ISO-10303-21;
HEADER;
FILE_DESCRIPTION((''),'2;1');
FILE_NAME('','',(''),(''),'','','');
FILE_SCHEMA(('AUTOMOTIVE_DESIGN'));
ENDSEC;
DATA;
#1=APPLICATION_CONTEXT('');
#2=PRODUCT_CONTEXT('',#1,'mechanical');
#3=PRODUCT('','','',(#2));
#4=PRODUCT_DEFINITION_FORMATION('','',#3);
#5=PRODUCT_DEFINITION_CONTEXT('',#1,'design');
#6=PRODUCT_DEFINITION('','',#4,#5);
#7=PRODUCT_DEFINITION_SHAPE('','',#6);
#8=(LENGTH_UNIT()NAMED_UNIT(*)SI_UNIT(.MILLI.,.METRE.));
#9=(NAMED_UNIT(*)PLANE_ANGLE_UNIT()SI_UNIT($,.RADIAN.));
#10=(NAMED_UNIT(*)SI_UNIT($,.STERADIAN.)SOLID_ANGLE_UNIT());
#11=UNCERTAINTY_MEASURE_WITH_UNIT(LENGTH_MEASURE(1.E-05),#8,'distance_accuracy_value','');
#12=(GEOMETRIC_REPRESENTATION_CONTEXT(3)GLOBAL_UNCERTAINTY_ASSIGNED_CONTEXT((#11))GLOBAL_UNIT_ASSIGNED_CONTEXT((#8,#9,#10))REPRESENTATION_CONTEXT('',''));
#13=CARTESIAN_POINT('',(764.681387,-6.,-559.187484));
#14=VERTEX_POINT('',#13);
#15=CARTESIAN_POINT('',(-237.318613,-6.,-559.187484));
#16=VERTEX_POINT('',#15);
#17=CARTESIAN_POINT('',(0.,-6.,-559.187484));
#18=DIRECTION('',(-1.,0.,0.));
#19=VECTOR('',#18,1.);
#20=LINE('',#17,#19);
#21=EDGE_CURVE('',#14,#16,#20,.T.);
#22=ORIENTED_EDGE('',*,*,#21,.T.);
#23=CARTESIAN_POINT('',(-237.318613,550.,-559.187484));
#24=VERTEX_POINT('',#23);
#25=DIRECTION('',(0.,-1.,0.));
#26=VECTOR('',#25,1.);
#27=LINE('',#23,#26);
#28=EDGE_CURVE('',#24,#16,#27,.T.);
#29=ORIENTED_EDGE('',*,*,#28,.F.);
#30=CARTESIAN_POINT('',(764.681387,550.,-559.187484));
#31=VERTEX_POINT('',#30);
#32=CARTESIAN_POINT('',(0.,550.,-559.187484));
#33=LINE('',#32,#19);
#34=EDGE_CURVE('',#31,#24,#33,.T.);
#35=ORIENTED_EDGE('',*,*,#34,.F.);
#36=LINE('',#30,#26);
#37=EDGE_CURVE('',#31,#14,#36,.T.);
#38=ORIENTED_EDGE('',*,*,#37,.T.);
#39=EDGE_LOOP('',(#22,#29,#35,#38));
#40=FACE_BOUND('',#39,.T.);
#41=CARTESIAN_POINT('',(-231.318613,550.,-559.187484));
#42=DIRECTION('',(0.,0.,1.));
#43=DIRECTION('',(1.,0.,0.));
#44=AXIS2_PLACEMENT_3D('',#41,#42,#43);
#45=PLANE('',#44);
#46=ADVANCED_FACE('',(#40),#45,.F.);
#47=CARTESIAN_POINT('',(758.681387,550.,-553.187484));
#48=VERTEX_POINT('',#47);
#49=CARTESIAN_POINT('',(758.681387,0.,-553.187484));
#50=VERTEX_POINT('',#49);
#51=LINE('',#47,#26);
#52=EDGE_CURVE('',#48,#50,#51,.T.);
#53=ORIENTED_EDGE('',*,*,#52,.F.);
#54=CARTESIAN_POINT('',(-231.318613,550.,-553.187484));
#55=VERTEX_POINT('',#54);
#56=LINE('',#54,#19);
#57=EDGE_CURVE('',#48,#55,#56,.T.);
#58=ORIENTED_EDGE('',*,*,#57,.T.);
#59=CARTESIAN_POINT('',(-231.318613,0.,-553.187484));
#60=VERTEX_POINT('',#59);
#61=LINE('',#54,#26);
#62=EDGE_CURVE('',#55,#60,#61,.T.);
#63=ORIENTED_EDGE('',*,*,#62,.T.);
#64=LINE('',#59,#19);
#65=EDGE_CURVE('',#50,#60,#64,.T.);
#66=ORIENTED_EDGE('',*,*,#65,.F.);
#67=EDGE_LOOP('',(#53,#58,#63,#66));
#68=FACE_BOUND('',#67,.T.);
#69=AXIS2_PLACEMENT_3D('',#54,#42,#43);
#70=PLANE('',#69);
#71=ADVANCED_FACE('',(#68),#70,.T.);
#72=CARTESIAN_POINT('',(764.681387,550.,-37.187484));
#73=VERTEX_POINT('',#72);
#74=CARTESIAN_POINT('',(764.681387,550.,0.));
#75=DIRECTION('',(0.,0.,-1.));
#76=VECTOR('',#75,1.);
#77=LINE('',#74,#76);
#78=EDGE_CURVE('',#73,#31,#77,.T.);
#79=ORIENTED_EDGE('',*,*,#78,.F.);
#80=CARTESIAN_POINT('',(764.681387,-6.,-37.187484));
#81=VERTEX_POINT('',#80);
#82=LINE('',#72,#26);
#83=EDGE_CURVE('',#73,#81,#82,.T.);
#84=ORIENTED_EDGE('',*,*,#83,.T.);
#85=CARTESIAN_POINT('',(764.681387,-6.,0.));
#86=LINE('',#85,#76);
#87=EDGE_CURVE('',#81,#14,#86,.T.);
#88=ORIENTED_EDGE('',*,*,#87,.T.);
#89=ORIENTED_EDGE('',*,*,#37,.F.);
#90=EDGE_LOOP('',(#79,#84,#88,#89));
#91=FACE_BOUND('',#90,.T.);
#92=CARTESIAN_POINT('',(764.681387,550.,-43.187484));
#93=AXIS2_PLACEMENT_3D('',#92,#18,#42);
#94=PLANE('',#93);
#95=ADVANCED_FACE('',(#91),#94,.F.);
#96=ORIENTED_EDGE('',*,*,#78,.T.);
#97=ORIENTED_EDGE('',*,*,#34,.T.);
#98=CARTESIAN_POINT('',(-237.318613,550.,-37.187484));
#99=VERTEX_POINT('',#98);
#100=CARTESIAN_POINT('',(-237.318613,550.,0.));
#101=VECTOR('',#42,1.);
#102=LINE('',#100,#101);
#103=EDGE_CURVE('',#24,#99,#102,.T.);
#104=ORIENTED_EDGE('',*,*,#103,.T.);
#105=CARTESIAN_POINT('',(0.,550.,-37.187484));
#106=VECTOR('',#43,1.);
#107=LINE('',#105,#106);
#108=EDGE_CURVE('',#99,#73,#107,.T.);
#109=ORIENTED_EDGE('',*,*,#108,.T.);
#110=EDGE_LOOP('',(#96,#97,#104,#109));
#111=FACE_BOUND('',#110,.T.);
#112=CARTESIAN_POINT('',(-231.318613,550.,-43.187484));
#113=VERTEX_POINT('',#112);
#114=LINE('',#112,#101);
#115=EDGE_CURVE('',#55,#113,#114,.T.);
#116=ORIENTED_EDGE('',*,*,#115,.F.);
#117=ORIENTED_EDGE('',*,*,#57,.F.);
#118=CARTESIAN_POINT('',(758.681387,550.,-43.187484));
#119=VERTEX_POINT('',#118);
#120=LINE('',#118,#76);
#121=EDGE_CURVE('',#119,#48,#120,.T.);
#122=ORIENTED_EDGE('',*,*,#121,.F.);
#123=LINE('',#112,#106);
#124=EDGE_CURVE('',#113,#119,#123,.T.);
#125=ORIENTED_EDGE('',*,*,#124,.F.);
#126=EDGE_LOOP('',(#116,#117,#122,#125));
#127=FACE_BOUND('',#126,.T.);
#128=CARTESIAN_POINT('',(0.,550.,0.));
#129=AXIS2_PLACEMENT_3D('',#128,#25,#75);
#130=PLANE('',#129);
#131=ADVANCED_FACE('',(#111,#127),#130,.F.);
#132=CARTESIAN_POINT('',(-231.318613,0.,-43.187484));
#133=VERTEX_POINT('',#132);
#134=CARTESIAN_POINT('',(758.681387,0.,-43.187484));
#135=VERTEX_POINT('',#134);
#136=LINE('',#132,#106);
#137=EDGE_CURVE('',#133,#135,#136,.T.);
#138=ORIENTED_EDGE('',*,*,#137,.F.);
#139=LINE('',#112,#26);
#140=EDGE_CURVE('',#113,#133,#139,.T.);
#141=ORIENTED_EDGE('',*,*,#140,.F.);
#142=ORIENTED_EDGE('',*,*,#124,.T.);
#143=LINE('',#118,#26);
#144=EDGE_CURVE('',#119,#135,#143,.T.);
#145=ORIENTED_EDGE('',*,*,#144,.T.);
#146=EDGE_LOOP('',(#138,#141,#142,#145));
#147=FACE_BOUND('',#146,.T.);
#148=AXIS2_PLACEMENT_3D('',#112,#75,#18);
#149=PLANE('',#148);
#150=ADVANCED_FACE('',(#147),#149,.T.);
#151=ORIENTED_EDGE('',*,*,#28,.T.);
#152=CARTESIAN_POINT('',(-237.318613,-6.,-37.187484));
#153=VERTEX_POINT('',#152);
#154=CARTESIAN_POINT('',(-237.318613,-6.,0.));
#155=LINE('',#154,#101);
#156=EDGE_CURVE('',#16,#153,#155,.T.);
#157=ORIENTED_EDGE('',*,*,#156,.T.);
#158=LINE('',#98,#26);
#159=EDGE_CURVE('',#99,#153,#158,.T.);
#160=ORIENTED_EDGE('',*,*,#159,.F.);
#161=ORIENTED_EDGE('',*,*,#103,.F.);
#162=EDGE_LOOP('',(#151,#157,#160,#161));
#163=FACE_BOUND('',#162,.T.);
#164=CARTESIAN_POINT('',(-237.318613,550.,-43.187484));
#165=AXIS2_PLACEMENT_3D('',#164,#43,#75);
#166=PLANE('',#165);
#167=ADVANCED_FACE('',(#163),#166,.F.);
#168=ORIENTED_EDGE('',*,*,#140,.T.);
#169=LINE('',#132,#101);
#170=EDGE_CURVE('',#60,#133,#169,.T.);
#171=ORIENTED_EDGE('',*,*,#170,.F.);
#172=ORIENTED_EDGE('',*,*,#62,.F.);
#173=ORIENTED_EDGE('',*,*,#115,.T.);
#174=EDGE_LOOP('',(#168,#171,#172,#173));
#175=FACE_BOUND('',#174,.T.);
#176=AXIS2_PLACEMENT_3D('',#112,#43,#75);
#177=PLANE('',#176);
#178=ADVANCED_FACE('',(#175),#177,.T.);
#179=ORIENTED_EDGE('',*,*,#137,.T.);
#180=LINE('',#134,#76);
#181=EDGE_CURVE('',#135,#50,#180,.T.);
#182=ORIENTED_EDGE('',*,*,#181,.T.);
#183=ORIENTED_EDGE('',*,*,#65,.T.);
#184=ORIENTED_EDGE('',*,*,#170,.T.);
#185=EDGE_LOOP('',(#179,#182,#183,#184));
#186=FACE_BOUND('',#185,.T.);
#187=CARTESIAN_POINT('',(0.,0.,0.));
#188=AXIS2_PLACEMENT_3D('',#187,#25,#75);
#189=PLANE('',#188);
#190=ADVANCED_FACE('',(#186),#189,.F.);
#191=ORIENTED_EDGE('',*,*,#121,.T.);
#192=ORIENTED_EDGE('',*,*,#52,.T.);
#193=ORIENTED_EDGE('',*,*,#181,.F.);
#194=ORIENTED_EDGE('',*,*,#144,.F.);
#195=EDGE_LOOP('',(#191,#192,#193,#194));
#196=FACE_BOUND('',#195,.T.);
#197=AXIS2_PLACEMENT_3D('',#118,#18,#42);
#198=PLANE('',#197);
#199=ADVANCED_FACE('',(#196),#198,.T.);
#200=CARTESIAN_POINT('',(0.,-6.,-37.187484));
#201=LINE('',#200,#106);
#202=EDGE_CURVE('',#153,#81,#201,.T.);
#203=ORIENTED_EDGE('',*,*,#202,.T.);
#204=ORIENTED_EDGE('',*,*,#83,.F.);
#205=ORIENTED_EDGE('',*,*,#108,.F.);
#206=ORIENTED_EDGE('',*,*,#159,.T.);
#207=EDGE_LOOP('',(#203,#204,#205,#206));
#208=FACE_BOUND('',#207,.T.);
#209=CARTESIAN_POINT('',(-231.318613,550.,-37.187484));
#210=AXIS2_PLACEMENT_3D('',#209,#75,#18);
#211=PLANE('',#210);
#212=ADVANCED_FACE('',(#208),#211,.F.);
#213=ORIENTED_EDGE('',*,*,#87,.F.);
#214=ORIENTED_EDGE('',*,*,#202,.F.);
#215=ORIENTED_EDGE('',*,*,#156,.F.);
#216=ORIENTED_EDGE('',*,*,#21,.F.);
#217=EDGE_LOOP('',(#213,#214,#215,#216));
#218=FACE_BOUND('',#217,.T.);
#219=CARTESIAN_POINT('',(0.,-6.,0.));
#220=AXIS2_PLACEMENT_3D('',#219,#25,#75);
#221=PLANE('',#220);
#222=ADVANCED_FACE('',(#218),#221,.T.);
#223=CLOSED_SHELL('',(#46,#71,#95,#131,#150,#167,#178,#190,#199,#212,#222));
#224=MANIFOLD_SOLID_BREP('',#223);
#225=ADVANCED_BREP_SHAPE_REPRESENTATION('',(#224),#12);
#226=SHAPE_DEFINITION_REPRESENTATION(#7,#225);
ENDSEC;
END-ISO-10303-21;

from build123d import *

# Parameters (mm, degrees)
SKETCH1_W           = 990
SKETCH1_H           = 510
BOSS_EXTRUDE3_DEPTH = 550
SHELL4_T            = 6


with BuildPart() as part:
    # Sketch1 → Boss-Extrude3 (new body)
    with BuildSketch(Plane(origin=(0, 0, 0), x_dir=(1, 0, 0), z_dir=(0, 1, 0))):
        with Locations((263.681387266, 298.187484375)):
            Rectangle(SKETCH1_W, SKETCH1_H)
    extrude(amount=BOSS_EXTRUDE3_DEPTH)

    # Shell4
    shell4_openings = [part.faces().sort_by_distance(p)[0] for p in [
        (263.681387266, 550, -298.187484375),
    ]]
    offset(amount=SHELL4_T, openings=shell4_openings, kind=Kind.INTERSECTION)


solid = part.part
